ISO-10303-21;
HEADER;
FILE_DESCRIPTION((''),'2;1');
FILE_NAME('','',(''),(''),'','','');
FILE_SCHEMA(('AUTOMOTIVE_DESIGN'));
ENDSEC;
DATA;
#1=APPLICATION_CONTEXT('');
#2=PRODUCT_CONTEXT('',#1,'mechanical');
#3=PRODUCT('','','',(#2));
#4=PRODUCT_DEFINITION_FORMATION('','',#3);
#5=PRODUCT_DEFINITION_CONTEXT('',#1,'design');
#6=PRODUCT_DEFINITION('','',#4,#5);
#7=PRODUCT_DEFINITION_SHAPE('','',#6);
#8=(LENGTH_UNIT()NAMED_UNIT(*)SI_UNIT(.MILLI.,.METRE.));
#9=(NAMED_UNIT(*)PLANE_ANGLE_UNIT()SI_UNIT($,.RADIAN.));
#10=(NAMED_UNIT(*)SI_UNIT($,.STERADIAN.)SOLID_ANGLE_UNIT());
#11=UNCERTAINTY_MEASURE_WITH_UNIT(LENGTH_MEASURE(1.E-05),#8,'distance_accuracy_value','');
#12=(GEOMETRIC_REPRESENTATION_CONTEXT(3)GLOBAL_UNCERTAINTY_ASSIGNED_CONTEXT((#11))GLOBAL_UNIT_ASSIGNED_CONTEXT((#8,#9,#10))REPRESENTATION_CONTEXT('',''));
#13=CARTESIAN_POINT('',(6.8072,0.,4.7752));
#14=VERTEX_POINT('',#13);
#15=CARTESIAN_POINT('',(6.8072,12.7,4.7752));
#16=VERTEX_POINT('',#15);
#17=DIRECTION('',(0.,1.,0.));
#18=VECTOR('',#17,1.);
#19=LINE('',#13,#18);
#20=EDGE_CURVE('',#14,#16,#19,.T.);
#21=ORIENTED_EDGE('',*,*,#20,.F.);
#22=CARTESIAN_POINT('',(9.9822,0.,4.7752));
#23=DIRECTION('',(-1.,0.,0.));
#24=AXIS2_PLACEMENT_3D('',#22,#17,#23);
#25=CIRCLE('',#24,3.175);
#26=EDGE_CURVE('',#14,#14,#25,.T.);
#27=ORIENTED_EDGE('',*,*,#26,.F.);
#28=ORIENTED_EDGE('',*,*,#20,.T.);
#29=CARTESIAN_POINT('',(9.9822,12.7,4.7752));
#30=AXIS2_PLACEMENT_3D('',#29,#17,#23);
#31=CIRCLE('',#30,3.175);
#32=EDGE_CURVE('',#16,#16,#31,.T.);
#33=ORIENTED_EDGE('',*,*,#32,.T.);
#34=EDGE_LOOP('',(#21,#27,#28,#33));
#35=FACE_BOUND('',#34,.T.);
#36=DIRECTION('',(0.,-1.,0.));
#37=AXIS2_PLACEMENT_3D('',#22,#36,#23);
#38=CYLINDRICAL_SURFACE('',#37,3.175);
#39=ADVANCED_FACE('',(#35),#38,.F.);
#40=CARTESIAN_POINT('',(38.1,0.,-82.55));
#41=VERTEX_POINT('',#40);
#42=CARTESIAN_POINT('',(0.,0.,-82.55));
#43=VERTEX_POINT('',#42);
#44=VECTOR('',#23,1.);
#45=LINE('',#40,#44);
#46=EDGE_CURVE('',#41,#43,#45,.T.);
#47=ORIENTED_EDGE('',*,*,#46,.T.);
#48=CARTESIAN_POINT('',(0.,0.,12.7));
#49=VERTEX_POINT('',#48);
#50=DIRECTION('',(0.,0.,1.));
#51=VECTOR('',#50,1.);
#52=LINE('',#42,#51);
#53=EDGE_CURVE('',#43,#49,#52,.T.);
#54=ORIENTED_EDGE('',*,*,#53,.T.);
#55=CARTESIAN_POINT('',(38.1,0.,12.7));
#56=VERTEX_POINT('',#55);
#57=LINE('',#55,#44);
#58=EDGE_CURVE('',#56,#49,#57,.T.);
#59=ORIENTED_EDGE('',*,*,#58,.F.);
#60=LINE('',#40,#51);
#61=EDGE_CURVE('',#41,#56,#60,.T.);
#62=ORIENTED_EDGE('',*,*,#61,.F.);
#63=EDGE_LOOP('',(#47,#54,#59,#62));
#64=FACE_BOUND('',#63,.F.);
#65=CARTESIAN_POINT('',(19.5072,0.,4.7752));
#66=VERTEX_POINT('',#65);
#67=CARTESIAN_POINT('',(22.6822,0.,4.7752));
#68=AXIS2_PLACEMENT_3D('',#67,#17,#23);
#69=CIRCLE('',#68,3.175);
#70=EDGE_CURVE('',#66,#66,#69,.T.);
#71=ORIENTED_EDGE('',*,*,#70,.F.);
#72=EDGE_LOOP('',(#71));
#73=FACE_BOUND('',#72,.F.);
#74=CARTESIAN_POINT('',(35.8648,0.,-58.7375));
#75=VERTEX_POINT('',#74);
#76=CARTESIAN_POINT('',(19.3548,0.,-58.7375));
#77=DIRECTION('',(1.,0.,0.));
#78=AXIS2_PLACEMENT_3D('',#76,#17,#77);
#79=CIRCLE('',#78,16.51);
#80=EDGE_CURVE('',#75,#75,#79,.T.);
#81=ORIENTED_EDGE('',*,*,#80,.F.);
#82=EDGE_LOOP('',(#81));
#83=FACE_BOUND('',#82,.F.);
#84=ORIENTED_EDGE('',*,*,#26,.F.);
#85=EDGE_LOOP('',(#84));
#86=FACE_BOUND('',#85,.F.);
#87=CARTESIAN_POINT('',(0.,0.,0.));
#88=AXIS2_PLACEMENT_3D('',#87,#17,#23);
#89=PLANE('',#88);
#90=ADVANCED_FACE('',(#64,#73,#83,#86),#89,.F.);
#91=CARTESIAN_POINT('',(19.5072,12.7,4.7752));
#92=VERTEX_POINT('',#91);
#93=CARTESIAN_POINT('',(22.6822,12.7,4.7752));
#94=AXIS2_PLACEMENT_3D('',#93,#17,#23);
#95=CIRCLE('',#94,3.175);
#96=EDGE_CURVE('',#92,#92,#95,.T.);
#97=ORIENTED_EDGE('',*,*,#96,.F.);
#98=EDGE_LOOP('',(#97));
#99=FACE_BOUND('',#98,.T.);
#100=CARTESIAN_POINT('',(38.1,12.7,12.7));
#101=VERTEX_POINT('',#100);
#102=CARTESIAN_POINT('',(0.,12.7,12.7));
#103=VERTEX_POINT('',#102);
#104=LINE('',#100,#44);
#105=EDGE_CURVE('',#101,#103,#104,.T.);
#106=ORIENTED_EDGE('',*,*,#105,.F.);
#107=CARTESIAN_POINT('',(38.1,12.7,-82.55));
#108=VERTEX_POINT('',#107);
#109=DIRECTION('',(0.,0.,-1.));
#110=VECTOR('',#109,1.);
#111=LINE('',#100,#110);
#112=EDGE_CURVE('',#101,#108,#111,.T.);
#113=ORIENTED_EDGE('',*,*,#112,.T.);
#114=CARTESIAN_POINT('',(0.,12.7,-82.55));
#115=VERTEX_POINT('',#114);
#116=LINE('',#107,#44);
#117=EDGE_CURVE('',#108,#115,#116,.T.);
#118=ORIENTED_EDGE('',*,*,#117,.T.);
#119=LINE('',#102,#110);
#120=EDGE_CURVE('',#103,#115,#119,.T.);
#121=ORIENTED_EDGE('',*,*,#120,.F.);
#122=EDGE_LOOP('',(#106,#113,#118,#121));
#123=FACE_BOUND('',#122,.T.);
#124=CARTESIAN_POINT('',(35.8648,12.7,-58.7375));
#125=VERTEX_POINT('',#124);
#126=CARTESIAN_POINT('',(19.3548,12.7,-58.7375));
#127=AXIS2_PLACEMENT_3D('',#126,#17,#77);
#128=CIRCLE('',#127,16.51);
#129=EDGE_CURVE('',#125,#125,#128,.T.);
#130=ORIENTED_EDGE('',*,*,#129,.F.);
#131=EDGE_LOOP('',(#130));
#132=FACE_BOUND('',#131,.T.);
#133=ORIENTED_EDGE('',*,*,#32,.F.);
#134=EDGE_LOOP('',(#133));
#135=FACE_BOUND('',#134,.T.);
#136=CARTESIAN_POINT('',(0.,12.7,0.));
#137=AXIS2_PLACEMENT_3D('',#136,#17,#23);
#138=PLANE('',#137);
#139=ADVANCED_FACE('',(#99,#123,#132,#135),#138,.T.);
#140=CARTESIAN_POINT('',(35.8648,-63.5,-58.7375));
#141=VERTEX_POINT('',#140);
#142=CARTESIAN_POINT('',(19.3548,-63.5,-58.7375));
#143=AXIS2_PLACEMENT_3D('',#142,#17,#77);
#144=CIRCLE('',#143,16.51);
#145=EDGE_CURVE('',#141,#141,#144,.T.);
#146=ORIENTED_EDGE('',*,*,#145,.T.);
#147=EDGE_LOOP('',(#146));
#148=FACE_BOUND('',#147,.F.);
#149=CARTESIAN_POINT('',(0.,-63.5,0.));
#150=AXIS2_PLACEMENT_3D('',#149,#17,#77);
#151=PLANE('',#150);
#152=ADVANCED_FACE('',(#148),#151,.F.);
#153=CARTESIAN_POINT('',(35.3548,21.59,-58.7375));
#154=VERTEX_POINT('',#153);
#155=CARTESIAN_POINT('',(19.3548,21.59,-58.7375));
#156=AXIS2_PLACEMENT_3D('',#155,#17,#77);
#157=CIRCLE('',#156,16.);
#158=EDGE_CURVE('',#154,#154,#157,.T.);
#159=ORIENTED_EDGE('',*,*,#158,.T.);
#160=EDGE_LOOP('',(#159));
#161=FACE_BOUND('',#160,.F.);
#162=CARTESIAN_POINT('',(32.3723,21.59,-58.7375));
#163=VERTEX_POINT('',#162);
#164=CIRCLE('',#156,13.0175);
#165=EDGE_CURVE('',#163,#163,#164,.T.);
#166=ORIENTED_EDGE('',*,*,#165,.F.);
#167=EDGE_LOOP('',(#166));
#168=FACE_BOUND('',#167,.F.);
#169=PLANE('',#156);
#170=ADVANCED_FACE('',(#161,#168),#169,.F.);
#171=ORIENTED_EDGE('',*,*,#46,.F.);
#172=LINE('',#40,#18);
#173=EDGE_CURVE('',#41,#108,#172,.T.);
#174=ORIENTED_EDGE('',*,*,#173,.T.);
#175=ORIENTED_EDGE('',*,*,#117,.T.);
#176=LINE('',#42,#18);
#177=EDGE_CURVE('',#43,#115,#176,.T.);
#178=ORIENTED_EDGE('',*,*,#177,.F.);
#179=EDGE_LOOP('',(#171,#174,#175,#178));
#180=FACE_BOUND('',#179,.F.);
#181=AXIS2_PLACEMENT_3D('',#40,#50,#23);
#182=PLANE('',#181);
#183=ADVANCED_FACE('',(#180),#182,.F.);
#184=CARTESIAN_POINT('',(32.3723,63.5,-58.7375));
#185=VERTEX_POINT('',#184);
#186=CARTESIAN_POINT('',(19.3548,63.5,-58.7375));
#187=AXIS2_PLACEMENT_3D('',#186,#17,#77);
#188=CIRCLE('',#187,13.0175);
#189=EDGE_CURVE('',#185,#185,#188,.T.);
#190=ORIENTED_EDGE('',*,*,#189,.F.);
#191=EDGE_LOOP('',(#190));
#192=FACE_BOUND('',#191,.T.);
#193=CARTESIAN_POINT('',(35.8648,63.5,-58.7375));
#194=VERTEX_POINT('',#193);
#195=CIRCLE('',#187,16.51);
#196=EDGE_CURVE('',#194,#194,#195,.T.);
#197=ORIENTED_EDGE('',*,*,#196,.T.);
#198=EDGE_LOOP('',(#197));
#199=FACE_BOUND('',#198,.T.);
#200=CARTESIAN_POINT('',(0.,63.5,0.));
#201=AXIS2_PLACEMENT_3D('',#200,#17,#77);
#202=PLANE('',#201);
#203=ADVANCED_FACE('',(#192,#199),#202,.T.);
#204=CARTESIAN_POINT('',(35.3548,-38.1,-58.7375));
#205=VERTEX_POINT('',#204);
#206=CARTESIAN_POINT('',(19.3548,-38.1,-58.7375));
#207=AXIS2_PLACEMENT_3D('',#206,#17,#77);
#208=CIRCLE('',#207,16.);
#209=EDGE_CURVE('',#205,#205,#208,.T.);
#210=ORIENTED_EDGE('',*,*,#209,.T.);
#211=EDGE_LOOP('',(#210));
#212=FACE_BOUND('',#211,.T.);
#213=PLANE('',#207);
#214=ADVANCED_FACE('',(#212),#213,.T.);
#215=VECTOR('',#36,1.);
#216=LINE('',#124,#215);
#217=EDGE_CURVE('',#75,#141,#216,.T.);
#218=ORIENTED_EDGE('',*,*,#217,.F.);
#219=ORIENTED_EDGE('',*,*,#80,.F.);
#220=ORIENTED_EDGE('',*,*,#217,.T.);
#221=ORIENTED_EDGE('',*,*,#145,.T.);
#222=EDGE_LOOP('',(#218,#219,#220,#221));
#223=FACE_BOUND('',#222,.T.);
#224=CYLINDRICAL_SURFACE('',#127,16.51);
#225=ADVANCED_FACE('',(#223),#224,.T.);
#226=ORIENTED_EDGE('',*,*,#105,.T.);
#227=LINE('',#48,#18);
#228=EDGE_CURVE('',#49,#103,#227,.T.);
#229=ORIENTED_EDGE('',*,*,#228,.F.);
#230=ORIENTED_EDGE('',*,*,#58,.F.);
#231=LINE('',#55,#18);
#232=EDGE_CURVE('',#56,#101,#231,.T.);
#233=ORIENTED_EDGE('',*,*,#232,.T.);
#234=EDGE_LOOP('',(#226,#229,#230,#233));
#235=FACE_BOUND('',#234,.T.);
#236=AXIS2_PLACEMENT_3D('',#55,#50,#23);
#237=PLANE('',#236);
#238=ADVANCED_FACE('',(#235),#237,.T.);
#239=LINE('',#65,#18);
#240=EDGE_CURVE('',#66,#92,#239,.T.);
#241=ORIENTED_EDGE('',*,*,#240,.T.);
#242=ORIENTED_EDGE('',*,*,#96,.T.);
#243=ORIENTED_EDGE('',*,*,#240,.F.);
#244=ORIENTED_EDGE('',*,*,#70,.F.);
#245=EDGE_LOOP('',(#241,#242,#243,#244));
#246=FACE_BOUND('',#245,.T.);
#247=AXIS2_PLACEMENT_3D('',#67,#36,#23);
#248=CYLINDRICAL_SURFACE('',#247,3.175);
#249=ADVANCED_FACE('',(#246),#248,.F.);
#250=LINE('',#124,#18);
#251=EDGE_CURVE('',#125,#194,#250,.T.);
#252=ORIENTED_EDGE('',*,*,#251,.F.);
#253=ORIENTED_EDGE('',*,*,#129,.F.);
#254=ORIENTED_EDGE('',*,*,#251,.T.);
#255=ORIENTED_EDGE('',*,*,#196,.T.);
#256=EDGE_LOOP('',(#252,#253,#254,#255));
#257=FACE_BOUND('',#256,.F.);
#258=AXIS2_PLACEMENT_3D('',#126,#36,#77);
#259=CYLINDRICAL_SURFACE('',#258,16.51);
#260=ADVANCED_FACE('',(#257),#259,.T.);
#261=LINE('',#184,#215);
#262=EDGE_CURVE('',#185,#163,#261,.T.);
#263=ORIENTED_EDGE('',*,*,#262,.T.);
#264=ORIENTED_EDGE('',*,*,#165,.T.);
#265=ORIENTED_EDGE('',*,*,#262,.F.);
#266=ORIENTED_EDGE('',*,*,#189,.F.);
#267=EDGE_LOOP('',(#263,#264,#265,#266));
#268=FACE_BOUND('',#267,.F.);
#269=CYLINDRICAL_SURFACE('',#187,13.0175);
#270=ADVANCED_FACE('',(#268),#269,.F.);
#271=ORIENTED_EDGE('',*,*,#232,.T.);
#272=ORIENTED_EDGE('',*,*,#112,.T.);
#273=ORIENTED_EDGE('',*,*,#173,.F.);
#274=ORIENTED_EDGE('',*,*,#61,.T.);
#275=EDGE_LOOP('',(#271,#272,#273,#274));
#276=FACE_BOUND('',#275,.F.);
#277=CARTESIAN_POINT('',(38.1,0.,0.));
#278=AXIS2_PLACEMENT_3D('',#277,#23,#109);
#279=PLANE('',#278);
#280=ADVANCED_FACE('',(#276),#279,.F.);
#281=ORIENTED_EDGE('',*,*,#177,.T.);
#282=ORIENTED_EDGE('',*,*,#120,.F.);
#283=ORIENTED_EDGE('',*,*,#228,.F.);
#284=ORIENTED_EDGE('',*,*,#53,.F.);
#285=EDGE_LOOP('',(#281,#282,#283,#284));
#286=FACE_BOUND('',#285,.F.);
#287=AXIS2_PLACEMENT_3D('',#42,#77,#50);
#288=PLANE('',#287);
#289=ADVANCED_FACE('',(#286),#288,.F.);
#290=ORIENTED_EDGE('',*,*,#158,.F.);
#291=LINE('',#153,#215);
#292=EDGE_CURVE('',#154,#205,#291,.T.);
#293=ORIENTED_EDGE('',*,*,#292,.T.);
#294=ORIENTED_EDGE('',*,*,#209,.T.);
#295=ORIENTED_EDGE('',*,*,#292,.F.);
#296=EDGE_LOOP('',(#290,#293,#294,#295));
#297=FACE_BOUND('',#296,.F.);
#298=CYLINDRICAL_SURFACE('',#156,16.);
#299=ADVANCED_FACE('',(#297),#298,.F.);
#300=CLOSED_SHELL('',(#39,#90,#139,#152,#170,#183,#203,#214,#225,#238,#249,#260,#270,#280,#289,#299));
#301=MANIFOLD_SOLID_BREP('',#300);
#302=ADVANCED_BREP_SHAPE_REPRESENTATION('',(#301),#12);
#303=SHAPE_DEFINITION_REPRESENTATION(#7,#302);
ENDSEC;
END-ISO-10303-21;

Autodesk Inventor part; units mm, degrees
ref_plane "YZ Plane" through (0, 0, 0) normal (1, 0, 0) x (0, 1, 0)
ref_plane "XZ Plane" through (0, 0, 0) normal (0, 1, 0) x (-1, 0, 0)
ref_plane "XY Plane" through (0, 0, 0) normal (0, 0, 1) x (1, 0, 0)
sketch "Sketch1" plane through (0, 0, 0) normal (0, 1, 0) x (-1, 0, 0)
  line L0 (0, 0) -> (-38.1, 0)
  line L1 (-38.1, 0) -> (-38.1, -82.55)
  line L2 (-38.1, -82.55) -> (0, -82.55)
  line L3 (0, -82.55) -> (0, 0)
  circle A0 centre (-22.6822, 4.7752) radius 3.175
  circle A1 centre (-9.9822, 4.7752) radius 3.175
  line L4 (0, 0) -> (-38.1, 0)
  line L5 (-38.1, 0) -> (-38.1, 12.7)
  line L6 (-38.1, 12.7) -> (0, 12.7)
  line L7 (0, 12.7) -> (0, 0)
  dimension "d0" = 38.1
  dimension "d1" = 82.55
  dimension "d24" = 6.35
  dimension "d25" = 15.4178
  dimension "d27" = 6.35
  dimension "d28" = 12.7
  dimension "d29" = 12.7
  dimension "d30" = 7.9248
extrude "Extrusion1" add sketch "Sketch1" along normal blind 12.7
sketch "Sketch2" plane through (0, 12.7, 0) normal (0, 1, 0) x (1, 0, 0)
  circle A0 centre (19.3548, 58.7375) radius 16.51
  line L0 (0, 82.55) -> (0, 0) projected
  line L1 (38.1, 82.55) -> (0, 82.55) projected
  point P0 (9.6774, 7.9375)
  dimension "d8" = 33.02
  dimension "d23" = 9.6774
extrude "Extrusion2" add sketch "Sketch2" along normal blind 50.8 and the other way blind 76.2
sketch "Sketch3" plane through (19.3548, 63.5, -58.7375) normal (0, 1, 0) x (1, 0, 0)
  circle A0 centre (0, 0) radius 13.0175
  point P0 (-19.3548, -58.7375)
  dimension "d17" = 26.035
extrude "Extrusion3" cut sketch "Sketch3" against normal blind 41.91
sketch "Sketch4" plane through (19.3548, 21.59, -58.7375) normal (0, 1, 0) x (1, 0, 0)
  circle A0 centre (0, 0) radius 16
  point P0 (-19.3548, -58.7375)
  dimension "d20" = 31.9999
extrude "Extrusion4" cut sketch "Sketch4" against normal blind 59.69
properties part number "Flip up and down motion motor mount"
